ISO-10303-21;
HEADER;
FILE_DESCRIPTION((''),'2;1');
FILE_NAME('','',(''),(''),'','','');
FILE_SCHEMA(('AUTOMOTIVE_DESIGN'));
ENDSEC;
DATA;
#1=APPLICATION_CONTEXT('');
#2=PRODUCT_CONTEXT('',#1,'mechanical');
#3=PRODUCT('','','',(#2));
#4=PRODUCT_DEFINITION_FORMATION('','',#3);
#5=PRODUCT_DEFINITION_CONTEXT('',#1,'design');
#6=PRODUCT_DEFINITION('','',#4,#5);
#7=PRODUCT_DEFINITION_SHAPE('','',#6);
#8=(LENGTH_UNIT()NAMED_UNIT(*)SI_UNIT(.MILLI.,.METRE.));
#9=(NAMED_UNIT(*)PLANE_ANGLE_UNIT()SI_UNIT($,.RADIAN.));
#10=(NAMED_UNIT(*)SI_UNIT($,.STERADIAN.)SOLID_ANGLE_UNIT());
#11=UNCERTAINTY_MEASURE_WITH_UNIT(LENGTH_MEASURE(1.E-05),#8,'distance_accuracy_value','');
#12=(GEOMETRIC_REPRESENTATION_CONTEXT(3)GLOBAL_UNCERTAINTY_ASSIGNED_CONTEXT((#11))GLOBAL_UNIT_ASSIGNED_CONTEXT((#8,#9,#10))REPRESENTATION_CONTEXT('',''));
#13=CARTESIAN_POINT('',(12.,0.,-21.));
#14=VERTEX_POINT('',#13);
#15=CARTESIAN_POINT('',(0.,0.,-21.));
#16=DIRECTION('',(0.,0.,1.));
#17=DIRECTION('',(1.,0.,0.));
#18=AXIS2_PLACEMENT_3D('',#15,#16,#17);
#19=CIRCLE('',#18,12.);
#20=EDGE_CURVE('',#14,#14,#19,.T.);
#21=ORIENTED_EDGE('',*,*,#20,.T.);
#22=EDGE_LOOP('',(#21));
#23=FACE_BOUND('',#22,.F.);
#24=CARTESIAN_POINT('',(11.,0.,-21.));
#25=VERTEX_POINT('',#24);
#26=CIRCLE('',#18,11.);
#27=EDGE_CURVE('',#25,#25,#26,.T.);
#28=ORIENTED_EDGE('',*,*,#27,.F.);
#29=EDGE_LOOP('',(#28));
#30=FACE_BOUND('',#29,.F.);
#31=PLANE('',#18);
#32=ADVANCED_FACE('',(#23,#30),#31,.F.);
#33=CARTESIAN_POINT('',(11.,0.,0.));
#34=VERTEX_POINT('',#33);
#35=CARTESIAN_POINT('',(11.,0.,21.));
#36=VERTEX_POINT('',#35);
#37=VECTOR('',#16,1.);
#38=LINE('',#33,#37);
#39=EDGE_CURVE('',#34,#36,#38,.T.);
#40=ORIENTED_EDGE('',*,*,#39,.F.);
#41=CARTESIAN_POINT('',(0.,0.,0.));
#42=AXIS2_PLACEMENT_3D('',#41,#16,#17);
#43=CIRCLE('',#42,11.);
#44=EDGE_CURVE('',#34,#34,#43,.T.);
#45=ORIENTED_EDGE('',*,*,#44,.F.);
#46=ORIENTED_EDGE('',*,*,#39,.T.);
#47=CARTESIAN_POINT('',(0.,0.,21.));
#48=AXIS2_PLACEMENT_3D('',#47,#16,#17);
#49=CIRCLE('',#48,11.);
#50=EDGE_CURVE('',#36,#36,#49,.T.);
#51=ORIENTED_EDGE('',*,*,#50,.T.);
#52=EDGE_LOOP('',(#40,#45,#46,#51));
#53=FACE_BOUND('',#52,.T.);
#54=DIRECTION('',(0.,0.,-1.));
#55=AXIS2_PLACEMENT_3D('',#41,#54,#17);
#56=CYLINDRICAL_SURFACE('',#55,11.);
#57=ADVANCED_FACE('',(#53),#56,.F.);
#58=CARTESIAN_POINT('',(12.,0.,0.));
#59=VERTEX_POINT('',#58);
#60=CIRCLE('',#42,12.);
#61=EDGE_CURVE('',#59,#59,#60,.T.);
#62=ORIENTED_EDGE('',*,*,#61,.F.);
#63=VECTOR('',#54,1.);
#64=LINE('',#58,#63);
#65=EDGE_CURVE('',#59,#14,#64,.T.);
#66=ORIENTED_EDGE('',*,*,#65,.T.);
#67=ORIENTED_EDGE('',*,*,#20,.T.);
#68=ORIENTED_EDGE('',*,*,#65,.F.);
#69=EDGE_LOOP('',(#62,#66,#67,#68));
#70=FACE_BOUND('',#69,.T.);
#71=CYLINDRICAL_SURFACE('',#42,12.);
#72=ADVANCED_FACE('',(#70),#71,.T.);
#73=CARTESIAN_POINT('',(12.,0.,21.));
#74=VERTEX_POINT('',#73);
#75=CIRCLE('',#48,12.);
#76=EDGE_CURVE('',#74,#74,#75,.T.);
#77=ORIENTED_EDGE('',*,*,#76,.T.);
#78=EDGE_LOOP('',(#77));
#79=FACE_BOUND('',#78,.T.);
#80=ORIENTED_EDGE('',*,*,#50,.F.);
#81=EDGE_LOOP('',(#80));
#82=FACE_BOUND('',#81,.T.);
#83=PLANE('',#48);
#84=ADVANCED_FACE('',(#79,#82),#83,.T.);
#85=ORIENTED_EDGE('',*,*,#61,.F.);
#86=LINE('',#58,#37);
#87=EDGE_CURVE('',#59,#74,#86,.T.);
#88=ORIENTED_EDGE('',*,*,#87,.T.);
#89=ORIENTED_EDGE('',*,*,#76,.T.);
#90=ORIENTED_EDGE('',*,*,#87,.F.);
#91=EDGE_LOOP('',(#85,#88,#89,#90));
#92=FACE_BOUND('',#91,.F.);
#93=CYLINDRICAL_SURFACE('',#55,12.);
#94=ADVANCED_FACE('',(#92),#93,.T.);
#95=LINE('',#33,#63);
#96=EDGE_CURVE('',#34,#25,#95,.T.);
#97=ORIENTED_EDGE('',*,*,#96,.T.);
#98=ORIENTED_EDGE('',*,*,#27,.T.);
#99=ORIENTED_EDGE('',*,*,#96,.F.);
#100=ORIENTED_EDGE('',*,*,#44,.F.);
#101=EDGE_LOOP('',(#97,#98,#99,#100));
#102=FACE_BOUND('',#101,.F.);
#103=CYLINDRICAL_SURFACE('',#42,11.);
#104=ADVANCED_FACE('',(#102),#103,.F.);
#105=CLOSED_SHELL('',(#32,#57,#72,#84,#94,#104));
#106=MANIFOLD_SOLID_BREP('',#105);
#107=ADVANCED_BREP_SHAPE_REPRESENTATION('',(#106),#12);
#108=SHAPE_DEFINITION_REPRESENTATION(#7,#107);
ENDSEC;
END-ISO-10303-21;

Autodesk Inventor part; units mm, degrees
ref_plane "YZ Plane" through (0, 0, 0) normal (1, 0, 0) x (0, 1, 0)
ref_plane "XZ Plane" through (0, 0, 0) normal (0, 1, 0) x (-1, 0, 0)
ref_plane "XY Plane" through (0, 0, 0) normal (0, 0, 1) x (1, 0, 0)
sketch "Esboço2" plane through (0, 0, 0) normal (0, 0, 1) x (1, 0, 0)
  circle A0 centre (0, 0) radius 11
  circle A1 centre (0, 0) radius 12
  dimension "d4" = 22
  dimension "d5" = 24
extrude "Extrusão2" add sketch "Esboço2" along normal mid plane 42
properties part number "Uper_Rod_Bushing"
